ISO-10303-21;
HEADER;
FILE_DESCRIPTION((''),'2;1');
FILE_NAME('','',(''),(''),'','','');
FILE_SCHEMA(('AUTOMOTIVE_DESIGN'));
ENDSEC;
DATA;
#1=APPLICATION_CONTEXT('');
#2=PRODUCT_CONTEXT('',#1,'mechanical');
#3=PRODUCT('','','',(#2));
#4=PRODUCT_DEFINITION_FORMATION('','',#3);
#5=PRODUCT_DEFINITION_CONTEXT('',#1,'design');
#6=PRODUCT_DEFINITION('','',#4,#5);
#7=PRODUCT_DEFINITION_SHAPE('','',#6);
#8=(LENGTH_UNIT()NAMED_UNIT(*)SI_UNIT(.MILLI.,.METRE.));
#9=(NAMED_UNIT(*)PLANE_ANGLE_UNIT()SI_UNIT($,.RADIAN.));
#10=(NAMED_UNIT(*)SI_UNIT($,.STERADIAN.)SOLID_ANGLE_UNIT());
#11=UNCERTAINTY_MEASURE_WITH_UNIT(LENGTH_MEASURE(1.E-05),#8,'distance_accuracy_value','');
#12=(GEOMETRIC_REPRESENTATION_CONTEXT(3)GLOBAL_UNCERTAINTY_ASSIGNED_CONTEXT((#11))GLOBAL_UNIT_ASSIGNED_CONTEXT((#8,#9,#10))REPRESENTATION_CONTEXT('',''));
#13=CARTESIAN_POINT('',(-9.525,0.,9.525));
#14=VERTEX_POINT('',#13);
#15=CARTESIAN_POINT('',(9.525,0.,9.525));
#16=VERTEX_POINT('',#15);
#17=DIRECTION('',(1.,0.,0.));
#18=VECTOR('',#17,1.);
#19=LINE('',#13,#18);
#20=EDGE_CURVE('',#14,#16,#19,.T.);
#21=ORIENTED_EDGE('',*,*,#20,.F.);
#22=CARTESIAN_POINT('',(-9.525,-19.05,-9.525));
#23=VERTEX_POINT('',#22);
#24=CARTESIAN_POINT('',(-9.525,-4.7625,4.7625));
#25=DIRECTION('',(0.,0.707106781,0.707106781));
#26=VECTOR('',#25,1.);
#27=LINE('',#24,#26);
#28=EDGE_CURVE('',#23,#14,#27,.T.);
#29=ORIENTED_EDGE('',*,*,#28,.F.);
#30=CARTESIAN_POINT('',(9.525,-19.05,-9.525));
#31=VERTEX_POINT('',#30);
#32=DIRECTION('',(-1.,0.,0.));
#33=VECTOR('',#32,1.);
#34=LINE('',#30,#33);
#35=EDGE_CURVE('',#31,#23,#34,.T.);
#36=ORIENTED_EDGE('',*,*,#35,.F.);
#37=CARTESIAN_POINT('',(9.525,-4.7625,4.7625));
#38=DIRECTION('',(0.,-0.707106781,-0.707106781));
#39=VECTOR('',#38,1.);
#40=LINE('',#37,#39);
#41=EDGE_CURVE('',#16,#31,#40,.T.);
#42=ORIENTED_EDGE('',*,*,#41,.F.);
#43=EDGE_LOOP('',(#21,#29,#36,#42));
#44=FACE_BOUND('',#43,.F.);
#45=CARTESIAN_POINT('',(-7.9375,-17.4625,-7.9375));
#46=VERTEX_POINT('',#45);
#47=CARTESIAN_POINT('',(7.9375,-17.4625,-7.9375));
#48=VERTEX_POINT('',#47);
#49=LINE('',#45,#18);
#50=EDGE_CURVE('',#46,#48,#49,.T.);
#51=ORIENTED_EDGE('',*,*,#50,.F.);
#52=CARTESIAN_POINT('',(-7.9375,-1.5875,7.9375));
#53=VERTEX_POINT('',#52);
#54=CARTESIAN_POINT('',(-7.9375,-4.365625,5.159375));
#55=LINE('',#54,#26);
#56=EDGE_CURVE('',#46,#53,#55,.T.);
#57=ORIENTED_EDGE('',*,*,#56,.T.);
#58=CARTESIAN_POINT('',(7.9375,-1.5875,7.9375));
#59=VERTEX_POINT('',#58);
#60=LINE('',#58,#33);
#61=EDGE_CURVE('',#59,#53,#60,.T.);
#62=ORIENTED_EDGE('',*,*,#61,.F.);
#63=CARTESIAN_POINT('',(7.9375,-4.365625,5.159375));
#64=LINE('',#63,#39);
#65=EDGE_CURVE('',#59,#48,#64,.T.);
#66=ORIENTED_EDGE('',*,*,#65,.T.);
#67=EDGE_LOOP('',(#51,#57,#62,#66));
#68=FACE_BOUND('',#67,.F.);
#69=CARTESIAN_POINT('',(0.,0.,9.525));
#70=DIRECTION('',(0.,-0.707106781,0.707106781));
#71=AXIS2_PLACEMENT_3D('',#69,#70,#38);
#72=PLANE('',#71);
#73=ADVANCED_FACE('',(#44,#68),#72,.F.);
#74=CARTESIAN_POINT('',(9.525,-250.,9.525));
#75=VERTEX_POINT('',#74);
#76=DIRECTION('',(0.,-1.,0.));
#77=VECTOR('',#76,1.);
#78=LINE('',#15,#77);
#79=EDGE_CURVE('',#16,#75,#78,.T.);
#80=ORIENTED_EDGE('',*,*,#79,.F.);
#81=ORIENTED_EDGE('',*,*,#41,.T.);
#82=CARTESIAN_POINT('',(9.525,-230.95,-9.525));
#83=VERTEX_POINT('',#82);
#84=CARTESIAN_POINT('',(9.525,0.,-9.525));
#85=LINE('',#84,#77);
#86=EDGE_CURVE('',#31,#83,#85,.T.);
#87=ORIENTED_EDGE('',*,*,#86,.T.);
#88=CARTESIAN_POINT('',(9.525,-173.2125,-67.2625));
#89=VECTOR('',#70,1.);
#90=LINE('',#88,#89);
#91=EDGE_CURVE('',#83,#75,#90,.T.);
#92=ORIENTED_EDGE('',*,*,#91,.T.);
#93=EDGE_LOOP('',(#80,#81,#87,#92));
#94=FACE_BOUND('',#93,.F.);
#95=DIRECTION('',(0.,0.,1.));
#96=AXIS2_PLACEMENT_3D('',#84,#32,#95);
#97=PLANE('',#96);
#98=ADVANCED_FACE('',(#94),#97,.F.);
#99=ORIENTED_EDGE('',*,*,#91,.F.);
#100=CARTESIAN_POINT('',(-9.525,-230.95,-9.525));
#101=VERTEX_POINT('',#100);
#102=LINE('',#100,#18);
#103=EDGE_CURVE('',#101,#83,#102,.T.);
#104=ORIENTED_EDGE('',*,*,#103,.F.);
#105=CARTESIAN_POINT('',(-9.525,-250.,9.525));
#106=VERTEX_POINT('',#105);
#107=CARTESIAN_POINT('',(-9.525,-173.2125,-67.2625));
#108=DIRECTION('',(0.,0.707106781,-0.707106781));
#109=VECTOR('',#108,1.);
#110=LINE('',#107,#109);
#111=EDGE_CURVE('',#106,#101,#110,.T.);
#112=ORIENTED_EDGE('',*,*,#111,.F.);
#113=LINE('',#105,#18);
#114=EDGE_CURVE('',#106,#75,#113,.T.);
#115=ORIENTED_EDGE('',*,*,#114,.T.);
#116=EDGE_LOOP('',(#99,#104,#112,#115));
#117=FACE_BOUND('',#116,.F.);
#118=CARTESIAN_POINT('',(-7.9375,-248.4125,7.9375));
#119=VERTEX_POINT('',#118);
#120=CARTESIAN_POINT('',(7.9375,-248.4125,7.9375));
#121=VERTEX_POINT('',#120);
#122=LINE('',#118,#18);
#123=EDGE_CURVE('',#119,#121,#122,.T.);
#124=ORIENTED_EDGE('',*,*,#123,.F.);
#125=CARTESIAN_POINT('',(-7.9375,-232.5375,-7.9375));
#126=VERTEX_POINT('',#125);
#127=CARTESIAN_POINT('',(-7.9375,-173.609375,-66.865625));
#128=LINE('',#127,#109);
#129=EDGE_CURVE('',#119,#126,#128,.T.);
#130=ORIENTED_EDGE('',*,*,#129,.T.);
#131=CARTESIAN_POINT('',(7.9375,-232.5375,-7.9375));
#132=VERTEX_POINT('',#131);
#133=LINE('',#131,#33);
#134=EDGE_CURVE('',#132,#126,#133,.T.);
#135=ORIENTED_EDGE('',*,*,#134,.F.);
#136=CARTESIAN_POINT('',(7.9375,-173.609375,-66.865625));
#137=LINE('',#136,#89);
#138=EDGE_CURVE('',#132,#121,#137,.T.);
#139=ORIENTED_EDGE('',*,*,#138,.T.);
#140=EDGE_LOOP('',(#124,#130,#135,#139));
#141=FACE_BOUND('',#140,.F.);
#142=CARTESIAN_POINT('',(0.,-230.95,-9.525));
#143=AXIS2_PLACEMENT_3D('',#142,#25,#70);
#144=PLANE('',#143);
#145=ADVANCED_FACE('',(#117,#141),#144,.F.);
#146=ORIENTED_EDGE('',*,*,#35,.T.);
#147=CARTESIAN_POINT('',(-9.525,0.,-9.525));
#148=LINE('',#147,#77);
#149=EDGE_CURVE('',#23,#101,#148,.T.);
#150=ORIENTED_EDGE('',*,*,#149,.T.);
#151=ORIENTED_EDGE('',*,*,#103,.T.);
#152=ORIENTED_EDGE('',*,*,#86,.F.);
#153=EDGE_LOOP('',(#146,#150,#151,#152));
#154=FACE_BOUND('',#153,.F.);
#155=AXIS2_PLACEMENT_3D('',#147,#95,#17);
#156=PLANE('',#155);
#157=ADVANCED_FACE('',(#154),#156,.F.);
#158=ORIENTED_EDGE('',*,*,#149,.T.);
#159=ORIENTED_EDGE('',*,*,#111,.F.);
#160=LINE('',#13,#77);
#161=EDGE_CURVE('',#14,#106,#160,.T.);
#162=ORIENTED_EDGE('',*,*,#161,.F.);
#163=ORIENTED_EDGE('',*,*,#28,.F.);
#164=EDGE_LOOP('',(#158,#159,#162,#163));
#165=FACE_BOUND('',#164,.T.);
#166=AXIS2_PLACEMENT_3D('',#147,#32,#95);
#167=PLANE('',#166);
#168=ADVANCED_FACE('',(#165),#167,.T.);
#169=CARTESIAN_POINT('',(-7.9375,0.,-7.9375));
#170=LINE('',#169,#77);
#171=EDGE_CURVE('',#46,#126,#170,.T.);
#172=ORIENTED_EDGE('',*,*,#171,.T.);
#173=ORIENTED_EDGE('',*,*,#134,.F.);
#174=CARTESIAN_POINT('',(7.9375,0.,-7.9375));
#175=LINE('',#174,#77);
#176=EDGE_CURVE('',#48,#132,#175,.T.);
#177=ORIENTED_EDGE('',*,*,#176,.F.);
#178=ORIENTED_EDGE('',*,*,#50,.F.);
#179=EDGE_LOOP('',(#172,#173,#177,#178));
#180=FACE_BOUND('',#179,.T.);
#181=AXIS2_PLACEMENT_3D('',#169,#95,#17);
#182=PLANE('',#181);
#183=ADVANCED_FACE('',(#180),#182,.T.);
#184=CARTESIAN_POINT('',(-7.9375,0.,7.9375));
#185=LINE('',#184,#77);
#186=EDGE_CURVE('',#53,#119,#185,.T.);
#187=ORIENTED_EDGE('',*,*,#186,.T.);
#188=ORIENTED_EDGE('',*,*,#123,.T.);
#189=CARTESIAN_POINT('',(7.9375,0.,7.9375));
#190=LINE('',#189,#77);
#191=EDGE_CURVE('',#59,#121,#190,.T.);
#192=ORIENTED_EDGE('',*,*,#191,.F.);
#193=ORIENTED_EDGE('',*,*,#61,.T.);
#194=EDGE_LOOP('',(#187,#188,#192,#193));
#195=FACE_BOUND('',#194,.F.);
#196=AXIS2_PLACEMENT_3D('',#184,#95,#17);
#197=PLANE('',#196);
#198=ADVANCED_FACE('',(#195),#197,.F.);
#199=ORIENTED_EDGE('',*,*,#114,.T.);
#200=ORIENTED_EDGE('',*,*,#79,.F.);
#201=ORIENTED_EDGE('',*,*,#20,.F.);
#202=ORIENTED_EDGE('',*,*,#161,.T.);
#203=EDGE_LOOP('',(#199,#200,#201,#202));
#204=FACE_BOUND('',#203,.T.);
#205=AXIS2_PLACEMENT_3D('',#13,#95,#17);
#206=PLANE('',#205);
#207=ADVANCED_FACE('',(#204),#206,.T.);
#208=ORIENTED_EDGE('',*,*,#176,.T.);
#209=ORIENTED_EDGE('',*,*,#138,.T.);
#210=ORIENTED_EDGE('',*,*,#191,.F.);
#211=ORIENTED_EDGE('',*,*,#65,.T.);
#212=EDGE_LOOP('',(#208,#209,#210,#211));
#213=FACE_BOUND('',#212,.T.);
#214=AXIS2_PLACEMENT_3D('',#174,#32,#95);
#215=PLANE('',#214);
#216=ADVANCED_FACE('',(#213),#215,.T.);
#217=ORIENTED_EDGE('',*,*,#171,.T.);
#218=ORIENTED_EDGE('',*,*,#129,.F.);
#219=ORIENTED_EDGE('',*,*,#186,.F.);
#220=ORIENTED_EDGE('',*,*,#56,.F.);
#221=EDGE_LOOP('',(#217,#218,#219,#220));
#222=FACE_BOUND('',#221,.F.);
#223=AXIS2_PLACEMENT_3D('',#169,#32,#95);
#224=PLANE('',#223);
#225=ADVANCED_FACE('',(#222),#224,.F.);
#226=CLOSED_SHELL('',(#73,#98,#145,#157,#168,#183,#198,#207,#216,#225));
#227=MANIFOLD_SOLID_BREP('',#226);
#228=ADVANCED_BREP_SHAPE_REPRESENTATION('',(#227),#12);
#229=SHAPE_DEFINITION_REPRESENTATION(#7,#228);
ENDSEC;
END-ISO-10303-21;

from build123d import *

# Parameters (mm, degrees)
F0_W     = 19.05
F0_H     = 19.05
F0_W_2   = 15.875
F0_H_2   = 15.875
F1_DEPTH = 250
F3_DEPTH = 9.526
F4_DEPTH = 9.526


with BuildPart() as f1:
    # F0 (on Front) → F1 (new body)
    with BuildSketch(Plane.XZ):
        Rectangle(F0_W, F0_H)
        Rectangle(F0_W_2, F0_H_2, mode=Mode.SUBTRACT)
    extrude(amount=F1_DEPTH)

    # F2 (on Right) → F3 (cut, through all)
    with BuildSketch(Plane.YZ):
        Polygon((0, -9.525), (0, 9.525), (-19.05, -9.525), align=None)
        Polygon((-250, 9.525), (-250, -9.525), (-230.95, -9.525), align=None)
    extrude(amount=-F3_DEPTH, mode=Mode.SUBTRACT)

    # F2 (on Right) → F4 (cut, through all)
    with BuildSketch(Plane.YZ):
        Polygon((0, -9.525), (0, 9.525), (-19.05, -9.525), align=None)
        Polygon((-250, 9.525), (-250, -9.525), (-230.95, -9.525), align=None)
    extrude(amount=F4_DEPTH, mode=Mode.SUBTRACT)


solid = f1.part
